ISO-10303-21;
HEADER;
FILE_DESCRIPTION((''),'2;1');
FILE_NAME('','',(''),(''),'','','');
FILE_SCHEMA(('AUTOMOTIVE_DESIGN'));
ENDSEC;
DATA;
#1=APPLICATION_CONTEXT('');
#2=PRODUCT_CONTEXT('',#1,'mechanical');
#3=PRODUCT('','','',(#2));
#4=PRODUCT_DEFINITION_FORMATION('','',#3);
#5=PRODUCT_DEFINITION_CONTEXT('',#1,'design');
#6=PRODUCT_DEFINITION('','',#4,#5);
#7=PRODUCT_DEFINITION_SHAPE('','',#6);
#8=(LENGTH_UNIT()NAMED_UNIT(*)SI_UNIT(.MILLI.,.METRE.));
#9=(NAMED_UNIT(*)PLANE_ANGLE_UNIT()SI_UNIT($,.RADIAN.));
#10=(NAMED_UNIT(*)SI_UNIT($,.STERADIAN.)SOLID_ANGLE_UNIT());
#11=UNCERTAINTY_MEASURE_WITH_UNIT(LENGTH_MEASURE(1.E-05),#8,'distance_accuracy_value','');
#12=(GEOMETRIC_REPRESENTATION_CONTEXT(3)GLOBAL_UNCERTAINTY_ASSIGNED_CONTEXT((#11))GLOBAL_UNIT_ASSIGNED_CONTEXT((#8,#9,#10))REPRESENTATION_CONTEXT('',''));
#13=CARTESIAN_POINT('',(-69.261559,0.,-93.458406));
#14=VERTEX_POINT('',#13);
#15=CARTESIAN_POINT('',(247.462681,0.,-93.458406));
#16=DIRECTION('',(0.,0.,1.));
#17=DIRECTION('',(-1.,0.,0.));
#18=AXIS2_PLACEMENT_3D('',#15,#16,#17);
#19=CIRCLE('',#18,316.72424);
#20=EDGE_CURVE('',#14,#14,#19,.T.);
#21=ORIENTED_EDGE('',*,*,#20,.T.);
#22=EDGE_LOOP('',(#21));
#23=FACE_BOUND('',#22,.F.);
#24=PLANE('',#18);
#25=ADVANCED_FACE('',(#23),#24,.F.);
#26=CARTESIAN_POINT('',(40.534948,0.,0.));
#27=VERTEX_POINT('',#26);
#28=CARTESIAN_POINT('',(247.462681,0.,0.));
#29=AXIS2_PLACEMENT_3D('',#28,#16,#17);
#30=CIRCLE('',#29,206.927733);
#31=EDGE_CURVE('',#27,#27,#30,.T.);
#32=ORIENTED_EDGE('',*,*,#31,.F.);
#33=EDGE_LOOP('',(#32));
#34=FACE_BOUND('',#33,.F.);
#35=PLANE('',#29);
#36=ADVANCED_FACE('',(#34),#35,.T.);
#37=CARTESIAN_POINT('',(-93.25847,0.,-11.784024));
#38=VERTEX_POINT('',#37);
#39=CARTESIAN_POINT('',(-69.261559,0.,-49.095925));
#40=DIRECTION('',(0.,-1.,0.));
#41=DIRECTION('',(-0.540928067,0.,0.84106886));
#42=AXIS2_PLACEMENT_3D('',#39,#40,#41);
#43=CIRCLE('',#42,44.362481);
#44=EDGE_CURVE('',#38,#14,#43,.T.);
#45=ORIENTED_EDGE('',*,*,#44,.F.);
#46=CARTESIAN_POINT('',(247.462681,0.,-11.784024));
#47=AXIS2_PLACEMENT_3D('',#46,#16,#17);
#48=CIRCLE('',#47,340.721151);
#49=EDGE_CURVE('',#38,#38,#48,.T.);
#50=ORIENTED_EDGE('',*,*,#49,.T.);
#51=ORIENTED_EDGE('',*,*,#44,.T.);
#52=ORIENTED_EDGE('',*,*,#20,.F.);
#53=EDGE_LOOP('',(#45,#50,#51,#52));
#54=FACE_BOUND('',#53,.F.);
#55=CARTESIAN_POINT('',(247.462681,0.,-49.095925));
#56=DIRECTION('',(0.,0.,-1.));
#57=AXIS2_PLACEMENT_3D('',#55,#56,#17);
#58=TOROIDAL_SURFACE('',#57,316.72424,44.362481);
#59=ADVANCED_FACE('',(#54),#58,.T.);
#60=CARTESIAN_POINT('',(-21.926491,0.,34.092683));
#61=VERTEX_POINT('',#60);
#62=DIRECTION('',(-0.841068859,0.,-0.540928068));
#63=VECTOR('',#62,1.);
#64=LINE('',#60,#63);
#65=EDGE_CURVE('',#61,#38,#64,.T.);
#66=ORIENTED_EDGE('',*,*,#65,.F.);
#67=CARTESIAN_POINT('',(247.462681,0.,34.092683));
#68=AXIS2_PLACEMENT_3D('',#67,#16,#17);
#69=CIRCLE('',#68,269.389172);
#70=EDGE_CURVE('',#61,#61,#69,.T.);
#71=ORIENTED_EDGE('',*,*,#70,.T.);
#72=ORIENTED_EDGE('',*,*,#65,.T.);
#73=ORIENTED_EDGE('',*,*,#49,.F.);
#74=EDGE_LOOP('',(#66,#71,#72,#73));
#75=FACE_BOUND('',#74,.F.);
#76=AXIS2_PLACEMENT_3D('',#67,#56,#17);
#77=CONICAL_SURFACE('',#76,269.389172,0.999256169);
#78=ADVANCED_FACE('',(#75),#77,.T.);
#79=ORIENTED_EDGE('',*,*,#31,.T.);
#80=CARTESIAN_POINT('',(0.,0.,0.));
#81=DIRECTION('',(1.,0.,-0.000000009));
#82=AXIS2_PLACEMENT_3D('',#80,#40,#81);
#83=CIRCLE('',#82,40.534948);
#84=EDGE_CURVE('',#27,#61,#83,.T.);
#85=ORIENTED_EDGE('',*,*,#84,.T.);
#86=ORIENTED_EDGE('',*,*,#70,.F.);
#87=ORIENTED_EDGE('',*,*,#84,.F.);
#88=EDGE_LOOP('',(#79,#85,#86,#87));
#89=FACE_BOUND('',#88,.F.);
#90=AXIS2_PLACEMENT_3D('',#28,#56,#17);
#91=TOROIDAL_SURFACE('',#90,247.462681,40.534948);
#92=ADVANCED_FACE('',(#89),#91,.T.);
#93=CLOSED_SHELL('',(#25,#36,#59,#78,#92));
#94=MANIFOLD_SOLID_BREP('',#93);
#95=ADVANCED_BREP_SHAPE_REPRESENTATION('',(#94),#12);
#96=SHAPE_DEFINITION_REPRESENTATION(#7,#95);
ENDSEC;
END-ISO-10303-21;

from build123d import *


with BuildPart() as f1:
    # F0 (on Front) → F1 (revolve)
    with BuildSketch(Plane.XZ):
        with BuildLine():
            Line((247.462681, 0), (40.534948, 0))
            ThreePointArc((40.534948, 0), (19.420258, 35.579989), (-21.926491, 34.092683))
            Line((-21.926491, 34.092683), (-93.25847, -11.784024))
            ThreePointArc((-93.25847, -11.784024), (-111.824913, -61.601548), (-69.261559, -93.458406))
            Line((-69.261559, -93.458406), (247.462681, -93.458406))
            Line((247.462681, -93.458406), (247.462681, 0))
        make_face()
    revolve(axis=Axis((247.462681, 0, -46.729203), (0, 0, 1)))


solid = f1.part
